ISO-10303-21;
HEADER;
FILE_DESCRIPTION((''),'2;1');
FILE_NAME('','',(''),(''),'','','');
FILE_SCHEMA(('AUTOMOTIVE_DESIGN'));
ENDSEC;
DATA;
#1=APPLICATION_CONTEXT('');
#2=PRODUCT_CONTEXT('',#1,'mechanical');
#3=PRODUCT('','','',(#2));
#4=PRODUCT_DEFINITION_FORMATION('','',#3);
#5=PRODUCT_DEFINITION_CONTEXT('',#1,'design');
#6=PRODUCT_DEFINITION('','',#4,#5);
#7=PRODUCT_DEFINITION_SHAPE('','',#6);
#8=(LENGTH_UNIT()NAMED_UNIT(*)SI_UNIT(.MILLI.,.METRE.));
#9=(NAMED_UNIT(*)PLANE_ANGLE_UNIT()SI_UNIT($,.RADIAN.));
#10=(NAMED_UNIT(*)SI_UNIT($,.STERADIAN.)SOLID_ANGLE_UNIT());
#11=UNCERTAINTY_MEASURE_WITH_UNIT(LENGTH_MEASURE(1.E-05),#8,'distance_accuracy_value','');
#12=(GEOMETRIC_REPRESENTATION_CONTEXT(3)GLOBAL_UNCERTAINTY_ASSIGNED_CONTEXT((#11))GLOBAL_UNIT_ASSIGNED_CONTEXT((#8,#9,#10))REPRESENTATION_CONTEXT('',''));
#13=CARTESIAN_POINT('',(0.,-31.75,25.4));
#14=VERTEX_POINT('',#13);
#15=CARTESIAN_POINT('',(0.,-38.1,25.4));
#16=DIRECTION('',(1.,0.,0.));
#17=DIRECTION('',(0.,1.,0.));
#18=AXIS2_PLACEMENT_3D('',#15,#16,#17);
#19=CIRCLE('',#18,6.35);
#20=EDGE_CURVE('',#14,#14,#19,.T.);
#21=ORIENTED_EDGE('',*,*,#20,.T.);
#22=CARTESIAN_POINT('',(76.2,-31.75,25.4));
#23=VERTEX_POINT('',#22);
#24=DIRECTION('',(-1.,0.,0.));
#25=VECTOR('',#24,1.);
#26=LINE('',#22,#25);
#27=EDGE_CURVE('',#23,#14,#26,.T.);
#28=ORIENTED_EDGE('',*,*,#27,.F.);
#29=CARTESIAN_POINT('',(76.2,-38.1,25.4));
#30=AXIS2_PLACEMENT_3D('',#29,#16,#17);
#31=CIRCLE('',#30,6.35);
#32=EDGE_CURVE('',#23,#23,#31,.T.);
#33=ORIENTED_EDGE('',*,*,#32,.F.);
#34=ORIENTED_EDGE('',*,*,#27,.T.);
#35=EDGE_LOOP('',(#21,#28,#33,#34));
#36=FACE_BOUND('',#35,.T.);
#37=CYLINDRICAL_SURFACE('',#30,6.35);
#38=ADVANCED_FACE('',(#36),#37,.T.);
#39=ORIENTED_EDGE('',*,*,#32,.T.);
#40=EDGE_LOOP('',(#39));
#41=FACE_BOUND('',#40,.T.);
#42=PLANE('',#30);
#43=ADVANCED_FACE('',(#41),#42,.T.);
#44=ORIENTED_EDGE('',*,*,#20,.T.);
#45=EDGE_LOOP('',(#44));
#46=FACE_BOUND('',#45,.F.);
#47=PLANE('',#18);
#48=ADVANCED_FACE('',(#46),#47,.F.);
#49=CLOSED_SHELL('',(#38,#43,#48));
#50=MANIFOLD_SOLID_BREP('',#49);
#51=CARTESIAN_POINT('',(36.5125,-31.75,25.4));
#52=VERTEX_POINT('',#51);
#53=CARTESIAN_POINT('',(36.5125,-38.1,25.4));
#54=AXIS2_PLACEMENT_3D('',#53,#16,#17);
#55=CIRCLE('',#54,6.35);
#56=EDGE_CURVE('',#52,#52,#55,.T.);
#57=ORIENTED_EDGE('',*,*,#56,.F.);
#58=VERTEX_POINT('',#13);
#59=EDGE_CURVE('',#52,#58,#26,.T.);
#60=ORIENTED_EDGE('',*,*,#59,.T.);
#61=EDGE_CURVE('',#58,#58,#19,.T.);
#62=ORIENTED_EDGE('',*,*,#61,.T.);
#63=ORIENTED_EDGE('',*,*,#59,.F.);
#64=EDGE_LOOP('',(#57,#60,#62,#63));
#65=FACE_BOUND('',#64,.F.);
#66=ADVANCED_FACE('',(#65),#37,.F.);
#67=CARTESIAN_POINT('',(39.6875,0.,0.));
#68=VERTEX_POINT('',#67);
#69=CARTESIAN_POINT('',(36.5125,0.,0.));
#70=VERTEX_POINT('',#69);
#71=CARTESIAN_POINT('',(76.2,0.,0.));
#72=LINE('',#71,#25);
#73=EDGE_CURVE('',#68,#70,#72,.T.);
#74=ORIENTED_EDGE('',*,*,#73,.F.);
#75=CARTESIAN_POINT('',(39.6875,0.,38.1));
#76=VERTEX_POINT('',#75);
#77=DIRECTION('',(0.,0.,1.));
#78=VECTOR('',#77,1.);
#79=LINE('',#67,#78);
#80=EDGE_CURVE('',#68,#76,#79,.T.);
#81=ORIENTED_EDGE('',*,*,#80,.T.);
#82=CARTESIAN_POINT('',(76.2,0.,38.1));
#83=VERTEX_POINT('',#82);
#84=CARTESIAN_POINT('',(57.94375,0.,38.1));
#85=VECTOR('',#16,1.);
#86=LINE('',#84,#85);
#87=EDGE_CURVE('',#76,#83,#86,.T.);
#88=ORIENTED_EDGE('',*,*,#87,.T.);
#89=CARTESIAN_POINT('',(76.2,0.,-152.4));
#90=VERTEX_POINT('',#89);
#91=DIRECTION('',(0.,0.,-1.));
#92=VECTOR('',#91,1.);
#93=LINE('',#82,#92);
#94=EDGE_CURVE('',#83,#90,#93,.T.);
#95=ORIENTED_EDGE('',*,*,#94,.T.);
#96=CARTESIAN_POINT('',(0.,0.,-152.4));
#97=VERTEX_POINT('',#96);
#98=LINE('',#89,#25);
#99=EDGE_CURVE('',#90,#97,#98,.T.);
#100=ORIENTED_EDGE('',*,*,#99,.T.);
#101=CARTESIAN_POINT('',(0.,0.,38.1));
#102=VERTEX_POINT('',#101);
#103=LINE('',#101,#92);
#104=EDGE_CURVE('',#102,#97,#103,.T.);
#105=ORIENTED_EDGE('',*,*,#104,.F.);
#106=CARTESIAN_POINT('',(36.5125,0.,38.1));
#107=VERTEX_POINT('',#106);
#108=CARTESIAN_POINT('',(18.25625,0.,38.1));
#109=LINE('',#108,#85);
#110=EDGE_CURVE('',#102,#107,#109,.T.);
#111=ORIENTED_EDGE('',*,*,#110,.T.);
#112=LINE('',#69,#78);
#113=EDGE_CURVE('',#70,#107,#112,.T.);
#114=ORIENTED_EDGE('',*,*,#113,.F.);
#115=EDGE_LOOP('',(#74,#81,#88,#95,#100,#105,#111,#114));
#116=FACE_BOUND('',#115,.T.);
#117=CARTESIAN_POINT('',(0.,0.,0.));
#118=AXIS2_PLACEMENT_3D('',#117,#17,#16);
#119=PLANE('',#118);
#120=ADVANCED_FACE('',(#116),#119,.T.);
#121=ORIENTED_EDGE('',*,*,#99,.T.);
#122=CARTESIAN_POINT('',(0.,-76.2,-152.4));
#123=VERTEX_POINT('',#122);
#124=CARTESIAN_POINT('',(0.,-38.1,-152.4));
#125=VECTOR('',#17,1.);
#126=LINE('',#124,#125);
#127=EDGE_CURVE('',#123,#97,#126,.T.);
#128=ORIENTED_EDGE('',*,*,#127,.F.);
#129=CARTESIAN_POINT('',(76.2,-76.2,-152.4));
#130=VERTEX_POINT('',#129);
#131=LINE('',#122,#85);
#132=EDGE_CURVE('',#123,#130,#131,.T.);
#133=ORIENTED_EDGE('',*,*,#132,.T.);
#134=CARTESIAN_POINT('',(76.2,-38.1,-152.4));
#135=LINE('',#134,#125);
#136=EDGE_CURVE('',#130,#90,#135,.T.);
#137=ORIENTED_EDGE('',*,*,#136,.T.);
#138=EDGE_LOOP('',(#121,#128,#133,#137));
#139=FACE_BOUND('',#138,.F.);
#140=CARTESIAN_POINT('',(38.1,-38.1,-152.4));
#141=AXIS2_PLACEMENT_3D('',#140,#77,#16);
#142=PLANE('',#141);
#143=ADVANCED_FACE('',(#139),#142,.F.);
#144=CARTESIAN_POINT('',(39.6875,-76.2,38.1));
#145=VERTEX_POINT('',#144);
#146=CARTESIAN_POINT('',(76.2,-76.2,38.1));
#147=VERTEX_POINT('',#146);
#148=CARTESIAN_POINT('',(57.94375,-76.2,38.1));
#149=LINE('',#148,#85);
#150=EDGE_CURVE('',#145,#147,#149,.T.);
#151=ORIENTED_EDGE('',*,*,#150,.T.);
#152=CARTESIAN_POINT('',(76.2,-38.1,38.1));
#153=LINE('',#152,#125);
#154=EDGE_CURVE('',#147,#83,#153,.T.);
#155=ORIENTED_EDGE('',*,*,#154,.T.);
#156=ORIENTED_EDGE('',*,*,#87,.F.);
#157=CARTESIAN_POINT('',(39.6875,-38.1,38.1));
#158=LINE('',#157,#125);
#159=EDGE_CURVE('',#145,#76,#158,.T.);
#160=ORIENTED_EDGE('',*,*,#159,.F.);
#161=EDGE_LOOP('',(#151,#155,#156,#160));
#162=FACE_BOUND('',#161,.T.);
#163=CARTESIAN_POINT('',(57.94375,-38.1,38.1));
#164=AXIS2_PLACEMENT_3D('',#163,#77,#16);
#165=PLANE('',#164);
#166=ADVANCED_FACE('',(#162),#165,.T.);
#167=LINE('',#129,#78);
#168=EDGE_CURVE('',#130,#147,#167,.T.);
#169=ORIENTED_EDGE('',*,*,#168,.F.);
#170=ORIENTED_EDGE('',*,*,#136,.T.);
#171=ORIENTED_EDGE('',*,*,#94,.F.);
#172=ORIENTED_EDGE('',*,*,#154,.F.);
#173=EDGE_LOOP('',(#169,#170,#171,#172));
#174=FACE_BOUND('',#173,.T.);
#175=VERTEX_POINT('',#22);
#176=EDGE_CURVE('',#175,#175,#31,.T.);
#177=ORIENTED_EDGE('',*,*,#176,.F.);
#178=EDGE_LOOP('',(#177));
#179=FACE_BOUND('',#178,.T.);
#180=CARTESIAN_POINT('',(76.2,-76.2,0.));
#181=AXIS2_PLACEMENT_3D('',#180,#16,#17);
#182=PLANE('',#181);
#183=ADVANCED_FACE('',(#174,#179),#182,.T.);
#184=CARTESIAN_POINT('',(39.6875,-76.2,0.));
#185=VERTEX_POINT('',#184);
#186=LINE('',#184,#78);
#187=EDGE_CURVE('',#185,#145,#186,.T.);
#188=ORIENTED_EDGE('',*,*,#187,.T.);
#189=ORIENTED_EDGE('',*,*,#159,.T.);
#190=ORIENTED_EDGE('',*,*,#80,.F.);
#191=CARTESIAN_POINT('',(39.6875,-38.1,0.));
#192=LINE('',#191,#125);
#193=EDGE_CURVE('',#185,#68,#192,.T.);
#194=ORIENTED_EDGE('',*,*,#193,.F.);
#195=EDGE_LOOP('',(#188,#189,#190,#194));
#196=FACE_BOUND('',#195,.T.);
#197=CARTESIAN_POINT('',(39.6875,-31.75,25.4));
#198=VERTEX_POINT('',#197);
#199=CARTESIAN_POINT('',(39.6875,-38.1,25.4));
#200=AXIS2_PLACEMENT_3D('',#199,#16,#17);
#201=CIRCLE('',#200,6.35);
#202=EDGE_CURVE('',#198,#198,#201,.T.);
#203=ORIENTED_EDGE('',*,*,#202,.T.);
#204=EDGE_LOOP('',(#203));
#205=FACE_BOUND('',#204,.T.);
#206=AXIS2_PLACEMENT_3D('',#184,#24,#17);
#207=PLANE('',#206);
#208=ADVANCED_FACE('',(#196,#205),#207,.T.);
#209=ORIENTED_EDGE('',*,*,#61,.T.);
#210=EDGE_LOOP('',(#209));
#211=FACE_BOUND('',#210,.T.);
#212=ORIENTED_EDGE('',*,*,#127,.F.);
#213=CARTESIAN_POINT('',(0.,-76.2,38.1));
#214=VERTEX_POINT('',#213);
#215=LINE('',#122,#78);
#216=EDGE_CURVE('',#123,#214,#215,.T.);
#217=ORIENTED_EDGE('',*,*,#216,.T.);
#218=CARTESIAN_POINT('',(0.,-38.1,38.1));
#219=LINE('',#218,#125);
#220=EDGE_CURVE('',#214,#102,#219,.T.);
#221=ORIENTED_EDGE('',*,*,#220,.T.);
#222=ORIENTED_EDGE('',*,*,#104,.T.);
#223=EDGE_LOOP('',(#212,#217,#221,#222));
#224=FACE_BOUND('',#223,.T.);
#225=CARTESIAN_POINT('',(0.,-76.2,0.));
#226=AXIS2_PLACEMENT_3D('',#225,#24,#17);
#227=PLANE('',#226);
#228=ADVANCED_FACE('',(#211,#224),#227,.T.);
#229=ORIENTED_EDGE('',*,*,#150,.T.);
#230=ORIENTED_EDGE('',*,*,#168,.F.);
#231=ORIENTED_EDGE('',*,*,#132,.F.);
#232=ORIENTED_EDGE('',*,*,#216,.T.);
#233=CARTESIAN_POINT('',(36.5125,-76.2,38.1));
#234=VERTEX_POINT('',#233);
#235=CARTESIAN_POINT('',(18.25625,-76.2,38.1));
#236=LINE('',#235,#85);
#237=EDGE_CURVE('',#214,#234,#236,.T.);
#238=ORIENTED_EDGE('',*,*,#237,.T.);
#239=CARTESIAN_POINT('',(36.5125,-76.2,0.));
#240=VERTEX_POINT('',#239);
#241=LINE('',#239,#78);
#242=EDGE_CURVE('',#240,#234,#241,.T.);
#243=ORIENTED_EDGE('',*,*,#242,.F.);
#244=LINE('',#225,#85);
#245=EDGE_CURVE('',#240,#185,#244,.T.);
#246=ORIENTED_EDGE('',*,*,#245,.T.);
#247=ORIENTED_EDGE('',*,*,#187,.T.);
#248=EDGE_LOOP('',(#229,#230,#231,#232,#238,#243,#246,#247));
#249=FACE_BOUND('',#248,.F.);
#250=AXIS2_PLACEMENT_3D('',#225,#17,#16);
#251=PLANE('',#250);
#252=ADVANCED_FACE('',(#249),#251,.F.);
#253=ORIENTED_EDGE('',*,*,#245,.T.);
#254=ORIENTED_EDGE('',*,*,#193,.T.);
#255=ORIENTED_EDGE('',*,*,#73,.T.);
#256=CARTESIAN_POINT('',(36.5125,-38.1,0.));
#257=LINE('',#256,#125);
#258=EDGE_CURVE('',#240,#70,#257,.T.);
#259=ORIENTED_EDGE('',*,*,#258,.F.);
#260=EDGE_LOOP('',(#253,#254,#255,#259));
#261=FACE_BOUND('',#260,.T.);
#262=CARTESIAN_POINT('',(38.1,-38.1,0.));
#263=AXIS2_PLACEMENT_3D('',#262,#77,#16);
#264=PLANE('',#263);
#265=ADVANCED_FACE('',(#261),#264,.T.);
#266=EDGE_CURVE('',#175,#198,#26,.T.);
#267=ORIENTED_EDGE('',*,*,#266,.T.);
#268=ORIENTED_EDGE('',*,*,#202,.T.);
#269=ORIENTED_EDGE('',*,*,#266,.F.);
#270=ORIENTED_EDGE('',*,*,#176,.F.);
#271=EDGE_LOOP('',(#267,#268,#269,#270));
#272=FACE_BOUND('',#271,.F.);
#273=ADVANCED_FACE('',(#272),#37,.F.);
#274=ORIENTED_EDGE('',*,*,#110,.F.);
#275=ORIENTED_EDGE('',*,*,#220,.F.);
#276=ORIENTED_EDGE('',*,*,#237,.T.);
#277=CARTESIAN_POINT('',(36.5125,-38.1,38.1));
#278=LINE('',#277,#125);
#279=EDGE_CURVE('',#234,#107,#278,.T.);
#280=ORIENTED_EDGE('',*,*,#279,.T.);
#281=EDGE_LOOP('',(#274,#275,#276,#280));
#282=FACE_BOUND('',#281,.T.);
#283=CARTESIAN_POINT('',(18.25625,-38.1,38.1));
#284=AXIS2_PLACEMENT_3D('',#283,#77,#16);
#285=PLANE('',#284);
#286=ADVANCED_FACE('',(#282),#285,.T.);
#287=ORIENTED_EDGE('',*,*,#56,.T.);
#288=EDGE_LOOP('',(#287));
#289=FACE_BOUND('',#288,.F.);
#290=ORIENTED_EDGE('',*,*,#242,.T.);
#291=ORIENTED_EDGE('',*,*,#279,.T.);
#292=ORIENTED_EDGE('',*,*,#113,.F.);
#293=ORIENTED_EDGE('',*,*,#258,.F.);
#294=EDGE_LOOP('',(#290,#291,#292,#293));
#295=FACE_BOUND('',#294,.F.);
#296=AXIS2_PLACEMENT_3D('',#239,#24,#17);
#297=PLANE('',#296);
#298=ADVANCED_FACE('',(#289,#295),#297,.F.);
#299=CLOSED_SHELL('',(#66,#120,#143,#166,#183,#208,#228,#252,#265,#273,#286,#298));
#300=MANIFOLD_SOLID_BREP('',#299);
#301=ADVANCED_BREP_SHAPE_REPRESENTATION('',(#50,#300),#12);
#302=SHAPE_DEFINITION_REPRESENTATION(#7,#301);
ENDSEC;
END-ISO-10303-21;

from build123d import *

# Parameters (mm, degrees)
F0_W     = 3.175
F0_H     = 76.2
F0_W_2   = 36.5125
F1_DEPTH = 152.4
F2_DEPTH = 38.1
F3_R     = 6.35
F4_DEPTH = 76.201
F5_R     = 6.35
F6_DEPTH = 76.2


with BuildPart() as f1:
    # F0 (on Top) → F1 (new body)
    with BuildSketch(Plane.XY):
        with Locations((38.1, -38.1)):
            Rectangle(F0_W, F0_H)
        with Locations((57.94375, -38.1)):
            Rectangle(F0_W_2, F0_H)
        with Locations((18.25625, -38.1)):
            Rectangle(F0_W_2, F0_H)
    extrude(amount=-F1_DEPTH)

    # F0 (on Top) → F2 (join)
    with BuildSketch(Plane.XY):
        with Locations((18.25625, -38.1)):
            Rectangle(F0_W_2, F0_H)
        with Locations((57.94375, -38.1)):
            Rectangle(F0_W_2, F0_H)
    extrude(amount=F2_DEPTH)

    # F3 (on face) → F4 (cut, through all)
    with BuildSketch(Plane.YZ.offset(76.2)):
        with Locations((-38.1, 25.4)):
            Circle(F3_R)
    extrude(amount=-F4_DEPTH, mode=Mode.SUBTRACT)


with BuildPart() as f6:
    # F5 (on face) → F6 (new body)
    with BuildSketch(Plane.YZ.offset(76.2)):
        with Locations((-38.1, 25.4)):
            Circle(F5_R)
    extrude(amount=-F6_DEPTH)


solid = Compound([f1.part, f6.part])
